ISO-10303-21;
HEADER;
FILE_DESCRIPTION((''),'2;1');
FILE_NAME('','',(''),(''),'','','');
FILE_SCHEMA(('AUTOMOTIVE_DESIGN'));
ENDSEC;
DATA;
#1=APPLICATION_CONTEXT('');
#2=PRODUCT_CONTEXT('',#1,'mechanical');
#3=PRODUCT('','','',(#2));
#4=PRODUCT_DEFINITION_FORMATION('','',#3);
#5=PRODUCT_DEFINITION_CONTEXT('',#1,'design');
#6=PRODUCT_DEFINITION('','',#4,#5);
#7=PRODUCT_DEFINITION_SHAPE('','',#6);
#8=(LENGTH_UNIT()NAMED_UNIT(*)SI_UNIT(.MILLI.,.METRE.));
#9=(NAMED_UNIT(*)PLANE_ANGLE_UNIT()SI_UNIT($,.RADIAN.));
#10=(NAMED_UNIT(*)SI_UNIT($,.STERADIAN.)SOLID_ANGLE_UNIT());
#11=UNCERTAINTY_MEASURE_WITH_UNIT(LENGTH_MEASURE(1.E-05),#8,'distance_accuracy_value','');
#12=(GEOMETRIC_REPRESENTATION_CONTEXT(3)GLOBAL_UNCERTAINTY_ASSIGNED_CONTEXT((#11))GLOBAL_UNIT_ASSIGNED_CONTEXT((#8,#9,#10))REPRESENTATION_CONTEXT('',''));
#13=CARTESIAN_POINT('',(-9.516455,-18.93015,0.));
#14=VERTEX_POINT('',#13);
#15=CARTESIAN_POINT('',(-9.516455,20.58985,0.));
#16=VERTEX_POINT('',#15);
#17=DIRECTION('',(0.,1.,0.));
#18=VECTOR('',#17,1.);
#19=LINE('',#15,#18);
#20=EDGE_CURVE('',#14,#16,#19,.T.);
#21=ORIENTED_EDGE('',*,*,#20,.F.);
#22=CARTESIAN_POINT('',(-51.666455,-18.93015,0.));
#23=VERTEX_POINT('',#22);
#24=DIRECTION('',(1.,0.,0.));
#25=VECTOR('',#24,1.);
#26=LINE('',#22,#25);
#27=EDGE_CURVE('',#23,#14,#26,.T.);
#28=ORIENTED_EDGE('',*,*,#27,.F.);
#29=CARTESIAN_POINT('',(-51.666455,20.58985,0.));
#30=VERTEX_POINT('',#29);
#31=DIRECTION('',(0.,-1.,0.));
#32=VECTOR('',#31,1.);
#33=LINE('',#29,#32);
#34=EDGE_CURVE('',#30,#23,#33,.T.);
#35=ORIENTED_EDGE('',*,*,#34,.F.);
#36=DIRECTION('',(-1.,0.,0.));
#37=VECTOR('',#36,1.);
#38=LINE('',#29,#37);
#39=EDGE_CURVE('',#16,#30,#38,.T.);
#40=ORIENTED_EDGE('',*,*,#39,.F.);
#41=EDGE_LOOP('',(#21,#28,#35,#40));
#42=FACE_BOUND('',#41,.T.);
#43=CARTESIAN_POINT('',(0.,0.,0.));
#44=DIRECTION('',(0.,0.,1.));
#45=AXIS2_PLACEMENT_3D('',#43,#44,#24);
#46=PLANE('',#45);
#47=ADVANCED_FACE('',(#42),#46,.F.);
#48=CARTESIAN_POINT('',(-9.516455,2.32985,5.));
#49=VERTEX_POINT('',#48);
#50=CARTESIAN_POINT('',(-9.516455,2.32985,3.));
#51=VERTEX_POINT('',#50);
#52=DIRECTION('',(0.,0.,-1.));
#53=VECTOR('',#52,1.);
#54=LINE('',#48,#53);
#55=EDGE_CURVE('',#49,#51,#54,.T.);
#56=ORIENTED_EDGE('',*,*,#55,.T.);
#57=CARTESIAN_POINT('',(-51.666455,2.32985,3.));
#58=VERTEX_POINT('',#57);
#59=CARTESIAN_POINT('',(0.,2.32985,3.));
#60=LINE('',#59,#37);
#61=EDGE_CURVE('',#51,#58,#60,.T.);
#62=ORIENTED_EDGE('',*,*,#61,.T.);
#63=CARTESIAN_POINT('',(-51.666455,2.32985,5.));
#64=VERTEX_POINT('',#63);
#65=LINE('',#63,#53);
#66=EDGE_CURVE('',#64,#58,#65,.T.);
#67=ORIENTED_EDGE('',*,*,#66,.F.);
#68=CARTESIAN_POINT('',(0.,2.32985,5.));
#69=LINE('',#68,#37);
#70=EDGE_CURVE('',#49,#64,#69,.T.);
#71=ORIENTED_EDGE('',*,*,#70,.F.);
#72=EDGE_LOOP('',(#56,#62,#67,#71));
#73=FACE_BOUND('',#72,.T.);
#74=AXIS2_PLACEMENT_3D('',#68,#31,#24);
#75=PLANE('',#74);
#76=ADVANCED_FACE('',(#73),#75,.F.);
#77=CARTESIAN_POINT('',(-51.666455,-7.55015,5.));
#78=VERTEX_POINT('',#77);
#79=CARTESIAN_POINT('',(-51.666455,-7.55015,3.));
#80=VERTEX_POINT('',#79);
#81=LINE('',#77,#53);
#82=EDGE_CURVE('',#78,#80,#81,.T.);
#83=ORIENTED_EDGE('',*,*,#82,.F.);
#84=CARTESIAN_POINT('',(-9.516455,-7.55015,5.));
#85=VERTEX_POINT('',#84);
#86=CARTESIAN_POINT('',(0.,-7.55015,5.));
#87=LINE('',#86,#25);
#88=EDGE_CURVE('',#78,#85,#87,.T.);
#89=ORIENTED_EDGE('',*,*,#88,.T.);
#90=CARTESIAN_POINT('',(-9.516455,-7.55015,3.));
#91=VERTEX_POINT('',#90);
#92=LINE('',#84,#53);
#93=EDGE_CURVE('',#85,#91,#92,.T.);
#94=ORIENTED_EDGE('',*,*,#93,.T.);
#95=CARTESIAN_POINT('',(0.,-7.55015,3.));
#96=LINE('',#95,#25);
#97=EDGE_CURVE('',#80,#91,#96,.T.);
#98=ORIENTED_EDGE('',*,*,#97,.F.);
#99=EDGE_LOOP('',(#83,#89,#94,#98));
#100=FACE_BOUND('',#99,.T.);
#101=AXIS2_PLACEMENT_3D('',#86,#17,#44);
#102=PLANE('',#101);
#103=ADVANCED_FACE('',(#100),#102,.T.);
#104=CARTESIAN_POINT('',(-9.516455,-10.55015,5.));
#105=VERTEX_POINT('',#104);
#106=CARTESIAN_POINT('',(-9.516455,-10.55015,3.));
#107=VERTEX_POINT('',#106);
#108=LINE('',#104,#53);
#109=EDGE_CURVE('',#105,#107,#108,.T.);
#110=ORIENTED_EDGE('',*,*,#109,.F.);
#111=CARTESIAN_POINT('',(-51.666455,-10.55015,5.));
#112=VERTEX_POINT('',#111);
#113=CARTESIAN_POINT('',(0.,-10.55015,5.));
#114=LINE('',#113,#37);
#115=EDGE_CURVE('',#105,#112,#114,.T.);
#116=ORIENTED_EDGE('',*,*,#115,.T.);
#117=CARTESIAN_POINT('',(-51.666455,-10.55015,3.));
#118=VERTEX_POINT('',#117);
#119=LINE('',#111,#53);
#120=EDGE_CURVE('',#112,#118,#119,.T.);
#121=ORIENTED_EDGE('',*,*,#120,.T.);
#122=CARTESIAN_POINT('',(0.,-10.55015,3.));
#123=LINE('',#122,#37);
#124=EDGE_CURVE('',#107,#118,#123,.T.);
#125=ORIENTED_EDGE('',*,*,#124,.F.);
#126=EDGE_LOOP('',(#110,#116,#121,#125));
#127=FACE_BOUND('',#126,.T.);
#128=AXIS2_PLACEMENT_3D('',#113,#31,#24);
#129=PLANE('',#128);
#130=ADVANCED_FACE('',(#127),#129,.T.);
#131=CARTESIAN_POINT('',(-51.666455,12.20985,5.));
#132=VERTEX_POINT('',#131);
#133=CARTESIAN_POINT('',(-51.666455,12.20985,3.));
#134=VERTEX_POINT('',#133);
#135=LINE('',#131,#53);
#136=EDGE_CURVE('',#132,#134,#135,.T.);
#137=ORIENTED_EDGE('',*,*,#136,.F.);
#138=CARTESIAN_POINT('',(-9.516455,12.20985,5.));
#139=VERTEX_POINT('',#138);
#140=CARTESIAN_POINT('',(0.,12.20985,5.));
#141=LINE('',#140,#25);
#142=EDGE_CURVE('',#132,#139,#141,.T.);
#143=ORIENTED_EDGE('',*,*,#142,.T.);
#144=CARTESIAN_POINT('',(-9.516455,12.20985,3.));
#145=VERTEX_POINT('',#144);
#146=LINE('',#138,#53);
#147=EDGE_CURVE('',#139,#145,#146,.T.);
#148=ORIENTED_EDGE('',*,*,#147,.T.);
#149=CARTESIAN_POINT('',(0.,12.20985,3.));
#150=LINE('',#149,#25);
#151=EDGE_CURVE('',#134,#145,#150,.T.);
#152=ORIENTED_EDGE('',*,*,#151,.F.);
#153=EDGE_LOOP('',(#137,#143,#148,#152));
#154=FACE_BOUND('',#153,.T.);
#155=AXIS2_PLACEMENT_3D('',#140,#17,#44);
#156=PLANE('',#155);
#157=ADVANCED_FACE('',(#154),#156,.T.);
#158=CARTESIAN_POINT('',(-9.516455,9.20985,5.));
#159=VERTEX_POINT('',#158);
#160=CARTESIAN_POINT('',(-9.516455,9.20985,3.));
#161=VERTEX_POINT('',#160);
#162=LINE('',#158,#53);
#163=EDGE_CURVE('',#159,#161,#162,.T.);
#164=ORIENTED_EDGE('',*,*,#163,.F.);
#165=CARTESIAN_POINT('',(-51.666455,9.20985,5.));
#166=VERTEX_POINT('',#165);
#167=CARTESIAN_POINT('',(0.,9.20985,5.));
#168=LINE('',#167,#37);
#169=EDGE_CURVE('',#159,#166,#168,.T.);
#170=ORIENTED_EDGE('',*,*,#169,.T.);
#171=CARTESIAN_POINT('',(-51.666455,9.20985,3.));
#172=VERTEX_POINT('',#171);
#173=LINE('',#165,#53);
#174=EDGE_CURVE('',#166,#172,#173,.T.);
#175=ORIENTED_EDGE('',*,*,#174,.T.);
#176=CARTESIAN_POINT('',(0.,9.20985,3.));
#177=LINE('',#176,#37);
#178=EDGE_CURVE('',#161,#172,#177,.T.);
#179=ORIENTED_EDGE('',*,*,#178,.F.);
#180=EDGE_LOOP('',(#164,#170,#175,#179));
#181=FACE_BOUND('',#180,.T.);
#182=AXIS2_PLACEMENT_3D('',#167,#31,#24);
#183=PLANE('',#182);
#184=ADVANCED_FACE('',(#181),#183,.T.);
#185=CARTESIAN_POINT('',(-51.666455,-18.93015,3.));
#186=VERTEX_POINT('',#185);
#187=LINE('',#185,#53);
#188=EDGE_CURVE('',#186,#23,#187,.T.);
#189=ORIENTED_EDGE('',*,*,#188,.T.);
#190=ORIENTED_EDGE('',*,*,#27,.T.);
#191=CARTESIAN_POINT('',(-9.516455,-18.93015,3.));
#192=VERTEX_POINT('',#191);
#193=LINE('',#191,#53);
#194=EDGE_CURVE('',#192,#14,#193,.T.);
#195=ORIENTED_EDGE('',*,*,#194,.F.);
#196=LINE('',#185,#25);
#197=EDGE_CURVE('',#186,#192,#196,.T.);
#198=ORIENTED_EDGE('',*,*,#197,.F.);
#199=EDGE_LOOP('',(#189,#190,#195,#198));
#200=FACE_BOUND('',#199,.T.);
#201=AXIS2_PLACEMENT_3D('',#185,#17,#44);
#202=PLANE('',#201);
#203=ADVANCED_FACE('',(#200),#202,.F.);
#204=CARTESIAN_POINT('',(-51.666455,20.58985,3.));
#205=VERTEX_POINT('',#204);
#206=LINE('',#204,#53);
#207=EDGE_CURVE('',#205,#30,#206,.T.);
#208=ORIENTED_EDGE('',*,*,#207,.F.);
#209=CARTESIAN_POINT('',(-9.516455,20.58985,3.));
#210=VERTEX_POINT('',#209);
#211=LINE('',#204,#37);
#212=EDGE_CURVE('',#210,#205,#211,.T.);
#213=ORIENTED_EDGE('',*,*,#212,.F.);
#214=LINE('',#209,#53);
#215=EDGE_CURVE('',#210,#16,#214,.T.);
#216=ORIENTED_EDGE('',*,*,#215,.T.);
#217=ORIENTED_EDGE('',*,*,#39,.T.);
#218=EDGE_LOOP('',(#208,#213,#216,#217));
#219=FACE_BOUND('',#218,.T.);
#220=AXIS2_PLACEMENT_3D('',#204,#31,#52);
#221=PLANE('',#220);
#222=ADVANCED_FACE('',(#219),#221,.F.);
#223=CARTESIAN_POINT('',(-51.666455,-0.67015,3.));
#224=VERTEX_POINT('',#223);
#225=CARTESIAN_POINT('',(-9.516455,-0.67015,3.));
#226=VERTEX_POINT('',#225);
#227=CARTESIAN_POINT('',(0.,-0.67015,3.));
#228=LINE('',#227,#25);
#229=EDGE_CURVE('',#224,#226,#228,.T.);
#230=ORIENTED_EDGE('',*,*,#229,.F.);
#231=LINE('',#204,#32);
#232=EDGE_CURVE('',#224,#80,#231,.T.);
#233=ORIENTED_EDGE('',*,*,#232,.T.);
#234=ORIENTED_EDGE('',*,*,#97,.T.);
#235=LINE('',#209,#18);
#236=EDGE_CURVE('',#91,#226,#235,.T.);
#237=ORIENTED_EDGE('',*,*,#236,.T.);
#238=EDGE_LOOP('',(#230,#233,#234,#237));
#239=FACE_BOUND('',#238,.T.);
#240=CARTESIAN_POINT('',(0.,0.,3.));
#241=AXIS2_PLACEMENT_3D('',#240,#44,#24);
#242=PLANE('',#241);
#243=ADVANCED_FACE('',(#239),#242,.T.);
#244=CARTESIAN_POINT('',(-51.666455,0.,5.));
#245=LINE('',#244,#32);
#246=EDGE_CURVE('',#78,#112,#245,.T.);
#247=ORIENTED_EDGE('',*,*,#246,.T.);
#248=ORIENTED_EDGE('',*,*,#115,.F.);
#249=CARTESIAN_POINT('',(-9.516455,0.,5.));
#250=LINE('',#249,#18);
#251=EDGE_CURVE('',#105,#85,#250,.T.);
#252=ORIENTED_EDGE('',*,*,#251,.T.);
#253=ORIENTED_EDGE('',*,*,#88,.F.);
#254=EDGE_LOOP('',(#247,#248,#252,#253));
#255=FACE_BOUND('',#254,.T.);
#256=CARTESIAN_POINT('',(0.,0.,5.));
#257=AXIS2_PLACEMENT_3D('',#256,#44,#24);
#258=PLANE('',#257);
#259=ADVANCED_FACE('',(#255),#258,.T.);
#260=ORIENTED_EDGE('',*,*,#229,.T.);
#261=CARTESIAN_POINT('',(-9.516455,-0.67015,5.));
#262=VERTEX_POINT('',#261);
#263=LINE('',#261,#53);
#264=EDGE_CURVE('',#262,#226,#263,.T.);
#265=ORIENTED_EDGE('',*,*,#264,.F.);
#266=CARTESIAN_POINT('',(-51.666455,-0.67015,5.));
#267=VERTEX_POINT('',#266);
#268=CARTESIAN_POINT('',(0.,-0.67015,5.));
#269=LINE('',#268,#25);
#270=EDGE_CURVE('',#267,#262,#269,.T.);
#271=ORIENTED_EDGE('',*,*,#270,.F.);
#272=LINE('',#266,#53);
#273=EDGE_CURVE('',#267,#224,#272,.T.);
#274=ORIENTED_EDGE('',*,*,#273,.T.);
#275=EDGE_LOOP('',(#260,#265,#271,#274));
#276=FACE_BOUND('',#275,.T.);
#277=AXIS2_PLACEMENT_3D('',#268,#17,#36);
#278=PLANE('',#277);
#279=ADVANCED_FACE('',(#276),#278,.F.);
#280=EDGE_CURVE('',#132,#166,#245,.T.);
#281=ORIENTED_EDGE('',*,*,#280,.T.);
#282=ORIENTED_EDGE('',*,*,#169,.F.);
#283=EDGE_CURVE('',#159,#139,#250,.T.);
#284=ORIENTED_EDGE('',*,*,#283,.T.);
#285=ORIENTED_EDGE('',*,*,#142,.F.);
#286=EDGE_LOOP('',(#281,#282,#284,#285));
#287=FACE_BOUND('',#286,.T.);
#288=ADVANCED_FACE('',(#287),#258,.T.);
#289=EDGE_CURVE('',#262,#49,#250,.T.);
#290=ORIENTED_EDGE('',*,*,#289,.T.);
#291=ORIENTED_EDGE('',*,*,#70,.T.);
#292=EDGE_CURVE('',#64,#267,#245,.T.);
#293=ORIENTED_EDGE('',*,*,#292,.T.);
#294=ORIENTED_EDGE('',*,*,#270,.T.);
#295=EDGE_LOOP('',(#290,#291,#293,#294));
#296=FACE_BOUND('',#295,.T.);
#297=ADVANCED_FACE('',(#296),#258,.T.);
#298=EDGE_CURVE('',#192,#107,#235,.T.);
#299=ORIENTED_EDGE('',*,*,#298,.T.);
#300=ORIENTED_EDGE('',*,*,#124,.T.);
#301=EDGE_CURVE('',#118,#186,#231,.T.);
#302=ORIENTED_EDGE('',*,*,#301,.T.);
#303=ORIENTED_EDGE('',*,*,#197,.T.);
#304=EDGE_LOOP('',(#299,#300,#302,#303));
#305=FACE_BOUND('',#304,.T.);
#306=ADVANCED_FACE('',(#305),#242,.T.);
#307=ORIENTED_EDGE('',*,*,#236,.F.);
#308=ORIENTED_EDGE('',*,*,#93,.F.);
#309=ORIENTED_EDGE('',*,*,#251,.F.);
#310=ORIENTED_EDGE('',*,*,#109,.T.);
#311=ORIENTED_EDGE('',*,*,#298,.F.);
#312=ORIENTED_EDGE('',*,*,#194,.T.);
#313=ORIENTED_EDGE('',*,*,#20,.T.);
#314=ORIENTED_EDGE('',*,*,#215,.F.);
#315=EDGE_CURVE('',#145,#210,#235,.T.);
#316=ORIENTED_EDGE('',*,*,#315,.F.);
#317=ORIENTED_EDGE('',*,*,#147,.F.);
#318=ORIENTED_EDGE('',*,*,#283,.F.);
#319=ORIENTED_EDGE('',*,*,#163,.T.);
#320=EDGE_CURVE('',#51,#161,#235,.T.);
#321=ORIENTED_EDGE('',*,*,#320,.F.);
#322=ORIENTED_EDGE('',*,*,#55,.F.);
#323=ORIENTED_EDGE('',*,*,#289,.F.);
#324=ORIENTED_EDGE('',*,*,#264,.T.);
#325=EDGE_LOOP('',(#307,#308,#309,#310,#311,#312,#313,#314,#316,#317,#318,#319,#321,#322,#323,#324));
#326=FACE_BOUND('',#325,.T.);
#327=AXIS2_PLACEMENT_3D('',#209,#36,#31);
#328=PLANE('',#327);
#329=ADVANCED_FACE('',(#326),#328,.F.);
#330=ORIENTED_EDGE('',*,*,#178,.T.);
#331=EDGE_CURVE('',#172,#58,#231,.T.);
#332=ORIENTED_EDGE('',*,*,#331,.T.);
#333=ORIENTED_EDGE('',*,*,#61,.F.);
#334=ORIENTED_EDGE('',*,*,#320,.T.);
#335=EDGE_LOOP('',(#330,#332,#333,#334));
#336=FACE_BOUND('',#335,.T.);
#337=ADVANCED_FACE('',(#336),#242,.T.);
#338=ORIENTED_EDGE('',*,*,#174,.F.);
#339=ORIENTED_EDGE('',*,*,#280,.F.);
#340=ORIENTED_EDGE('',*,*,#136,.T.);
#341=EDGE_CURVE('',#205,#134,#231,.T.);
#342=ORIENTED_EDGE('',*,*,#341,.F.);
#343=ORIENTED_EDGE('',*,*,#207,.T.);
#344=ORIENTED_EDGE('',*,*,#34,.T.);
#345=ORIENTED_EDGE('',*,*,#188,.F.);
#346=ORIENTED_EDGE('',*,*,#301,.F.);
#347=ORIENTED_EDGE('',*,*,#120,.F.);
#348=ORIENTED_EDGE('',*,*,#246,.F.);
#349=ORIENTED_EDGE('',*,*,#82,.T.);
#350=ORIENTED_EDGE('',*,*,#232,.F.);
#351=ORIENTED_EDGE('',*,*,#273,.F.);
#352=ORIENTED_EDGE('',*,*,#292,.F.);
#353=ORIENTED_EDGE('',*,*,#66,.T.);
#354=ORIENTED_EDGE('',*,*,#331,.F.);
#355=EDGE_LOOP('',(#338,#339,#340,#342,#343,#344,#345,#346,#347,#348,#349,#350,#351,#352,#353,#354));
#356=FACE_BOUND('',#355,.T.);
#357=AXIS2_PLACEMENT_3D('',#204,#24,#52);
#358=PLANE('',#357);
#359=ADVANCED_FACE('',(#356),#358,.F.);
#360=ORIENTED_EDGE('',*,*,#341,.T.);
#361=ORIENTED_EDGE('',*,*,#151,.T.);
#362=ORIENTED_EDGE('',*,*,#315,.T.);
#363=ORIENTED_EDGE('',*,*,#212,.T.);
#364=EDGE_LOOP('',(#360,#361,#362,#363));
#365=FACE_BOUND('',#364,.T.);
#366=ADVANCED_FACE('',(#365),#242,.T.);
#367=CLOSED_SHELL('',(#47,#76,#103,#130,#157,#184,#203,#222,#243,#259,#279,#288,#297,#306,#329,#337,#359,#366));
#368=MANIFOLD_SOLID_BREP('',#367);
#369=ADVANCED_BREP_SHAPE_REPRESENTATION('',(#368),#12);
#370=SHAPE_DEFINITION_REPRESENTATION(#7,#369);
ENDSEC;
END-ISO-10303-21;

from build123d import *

# Parameters (mm, degrees)
SKETCH2_W           = 42.15
SKETCH2_H           = 39.52
BOSS_EXTRUDE1_DEPTH = 3
BOSS_EXTRUDE2_DEPTH = 2


with BuildPart() as part:
    # Sketch2 → Boss-Extrude1 (new body)
    with BuildSketch(Plane.XY):
        with Locations((-30.591454667, 0.829849509)):
            Rectangle(SKETCH2_W, SKETCH2_H)
    extrude(amount=BOSS_EXTRUDE1_DEPTH)

    # Sketch3 → Boss-Extrude2 (add)
    with BuildSketch(Plane.XY.offset(3)):
        Polygon((-51.666454667, 9.209849509), (-9.516454667, 9.209849509), (-9.516454667, 12.209849509), (-51.666454667, 12.209849509), (-51.666454667, 10.709849509), align=None)
        Polygon((-51.666454667, 0.829849509), (-51.666454667, -0.670150491), (-9.516454667, -0.670150491), (-9.516454667, 2.329849509), (-51.666454667, 2.329849509), align=None)
        Polygon((-51.666454667, -7.550150491), (-51.666454667, -9.050150491), (-51.666454667, -10.550150491), (-9.516454667, -10.550150491), (-9.516454667, -7.550150491), align=None)
    extrude(amount=BOSS_EXTRUDE2_DEPTH)


solid = part.part
